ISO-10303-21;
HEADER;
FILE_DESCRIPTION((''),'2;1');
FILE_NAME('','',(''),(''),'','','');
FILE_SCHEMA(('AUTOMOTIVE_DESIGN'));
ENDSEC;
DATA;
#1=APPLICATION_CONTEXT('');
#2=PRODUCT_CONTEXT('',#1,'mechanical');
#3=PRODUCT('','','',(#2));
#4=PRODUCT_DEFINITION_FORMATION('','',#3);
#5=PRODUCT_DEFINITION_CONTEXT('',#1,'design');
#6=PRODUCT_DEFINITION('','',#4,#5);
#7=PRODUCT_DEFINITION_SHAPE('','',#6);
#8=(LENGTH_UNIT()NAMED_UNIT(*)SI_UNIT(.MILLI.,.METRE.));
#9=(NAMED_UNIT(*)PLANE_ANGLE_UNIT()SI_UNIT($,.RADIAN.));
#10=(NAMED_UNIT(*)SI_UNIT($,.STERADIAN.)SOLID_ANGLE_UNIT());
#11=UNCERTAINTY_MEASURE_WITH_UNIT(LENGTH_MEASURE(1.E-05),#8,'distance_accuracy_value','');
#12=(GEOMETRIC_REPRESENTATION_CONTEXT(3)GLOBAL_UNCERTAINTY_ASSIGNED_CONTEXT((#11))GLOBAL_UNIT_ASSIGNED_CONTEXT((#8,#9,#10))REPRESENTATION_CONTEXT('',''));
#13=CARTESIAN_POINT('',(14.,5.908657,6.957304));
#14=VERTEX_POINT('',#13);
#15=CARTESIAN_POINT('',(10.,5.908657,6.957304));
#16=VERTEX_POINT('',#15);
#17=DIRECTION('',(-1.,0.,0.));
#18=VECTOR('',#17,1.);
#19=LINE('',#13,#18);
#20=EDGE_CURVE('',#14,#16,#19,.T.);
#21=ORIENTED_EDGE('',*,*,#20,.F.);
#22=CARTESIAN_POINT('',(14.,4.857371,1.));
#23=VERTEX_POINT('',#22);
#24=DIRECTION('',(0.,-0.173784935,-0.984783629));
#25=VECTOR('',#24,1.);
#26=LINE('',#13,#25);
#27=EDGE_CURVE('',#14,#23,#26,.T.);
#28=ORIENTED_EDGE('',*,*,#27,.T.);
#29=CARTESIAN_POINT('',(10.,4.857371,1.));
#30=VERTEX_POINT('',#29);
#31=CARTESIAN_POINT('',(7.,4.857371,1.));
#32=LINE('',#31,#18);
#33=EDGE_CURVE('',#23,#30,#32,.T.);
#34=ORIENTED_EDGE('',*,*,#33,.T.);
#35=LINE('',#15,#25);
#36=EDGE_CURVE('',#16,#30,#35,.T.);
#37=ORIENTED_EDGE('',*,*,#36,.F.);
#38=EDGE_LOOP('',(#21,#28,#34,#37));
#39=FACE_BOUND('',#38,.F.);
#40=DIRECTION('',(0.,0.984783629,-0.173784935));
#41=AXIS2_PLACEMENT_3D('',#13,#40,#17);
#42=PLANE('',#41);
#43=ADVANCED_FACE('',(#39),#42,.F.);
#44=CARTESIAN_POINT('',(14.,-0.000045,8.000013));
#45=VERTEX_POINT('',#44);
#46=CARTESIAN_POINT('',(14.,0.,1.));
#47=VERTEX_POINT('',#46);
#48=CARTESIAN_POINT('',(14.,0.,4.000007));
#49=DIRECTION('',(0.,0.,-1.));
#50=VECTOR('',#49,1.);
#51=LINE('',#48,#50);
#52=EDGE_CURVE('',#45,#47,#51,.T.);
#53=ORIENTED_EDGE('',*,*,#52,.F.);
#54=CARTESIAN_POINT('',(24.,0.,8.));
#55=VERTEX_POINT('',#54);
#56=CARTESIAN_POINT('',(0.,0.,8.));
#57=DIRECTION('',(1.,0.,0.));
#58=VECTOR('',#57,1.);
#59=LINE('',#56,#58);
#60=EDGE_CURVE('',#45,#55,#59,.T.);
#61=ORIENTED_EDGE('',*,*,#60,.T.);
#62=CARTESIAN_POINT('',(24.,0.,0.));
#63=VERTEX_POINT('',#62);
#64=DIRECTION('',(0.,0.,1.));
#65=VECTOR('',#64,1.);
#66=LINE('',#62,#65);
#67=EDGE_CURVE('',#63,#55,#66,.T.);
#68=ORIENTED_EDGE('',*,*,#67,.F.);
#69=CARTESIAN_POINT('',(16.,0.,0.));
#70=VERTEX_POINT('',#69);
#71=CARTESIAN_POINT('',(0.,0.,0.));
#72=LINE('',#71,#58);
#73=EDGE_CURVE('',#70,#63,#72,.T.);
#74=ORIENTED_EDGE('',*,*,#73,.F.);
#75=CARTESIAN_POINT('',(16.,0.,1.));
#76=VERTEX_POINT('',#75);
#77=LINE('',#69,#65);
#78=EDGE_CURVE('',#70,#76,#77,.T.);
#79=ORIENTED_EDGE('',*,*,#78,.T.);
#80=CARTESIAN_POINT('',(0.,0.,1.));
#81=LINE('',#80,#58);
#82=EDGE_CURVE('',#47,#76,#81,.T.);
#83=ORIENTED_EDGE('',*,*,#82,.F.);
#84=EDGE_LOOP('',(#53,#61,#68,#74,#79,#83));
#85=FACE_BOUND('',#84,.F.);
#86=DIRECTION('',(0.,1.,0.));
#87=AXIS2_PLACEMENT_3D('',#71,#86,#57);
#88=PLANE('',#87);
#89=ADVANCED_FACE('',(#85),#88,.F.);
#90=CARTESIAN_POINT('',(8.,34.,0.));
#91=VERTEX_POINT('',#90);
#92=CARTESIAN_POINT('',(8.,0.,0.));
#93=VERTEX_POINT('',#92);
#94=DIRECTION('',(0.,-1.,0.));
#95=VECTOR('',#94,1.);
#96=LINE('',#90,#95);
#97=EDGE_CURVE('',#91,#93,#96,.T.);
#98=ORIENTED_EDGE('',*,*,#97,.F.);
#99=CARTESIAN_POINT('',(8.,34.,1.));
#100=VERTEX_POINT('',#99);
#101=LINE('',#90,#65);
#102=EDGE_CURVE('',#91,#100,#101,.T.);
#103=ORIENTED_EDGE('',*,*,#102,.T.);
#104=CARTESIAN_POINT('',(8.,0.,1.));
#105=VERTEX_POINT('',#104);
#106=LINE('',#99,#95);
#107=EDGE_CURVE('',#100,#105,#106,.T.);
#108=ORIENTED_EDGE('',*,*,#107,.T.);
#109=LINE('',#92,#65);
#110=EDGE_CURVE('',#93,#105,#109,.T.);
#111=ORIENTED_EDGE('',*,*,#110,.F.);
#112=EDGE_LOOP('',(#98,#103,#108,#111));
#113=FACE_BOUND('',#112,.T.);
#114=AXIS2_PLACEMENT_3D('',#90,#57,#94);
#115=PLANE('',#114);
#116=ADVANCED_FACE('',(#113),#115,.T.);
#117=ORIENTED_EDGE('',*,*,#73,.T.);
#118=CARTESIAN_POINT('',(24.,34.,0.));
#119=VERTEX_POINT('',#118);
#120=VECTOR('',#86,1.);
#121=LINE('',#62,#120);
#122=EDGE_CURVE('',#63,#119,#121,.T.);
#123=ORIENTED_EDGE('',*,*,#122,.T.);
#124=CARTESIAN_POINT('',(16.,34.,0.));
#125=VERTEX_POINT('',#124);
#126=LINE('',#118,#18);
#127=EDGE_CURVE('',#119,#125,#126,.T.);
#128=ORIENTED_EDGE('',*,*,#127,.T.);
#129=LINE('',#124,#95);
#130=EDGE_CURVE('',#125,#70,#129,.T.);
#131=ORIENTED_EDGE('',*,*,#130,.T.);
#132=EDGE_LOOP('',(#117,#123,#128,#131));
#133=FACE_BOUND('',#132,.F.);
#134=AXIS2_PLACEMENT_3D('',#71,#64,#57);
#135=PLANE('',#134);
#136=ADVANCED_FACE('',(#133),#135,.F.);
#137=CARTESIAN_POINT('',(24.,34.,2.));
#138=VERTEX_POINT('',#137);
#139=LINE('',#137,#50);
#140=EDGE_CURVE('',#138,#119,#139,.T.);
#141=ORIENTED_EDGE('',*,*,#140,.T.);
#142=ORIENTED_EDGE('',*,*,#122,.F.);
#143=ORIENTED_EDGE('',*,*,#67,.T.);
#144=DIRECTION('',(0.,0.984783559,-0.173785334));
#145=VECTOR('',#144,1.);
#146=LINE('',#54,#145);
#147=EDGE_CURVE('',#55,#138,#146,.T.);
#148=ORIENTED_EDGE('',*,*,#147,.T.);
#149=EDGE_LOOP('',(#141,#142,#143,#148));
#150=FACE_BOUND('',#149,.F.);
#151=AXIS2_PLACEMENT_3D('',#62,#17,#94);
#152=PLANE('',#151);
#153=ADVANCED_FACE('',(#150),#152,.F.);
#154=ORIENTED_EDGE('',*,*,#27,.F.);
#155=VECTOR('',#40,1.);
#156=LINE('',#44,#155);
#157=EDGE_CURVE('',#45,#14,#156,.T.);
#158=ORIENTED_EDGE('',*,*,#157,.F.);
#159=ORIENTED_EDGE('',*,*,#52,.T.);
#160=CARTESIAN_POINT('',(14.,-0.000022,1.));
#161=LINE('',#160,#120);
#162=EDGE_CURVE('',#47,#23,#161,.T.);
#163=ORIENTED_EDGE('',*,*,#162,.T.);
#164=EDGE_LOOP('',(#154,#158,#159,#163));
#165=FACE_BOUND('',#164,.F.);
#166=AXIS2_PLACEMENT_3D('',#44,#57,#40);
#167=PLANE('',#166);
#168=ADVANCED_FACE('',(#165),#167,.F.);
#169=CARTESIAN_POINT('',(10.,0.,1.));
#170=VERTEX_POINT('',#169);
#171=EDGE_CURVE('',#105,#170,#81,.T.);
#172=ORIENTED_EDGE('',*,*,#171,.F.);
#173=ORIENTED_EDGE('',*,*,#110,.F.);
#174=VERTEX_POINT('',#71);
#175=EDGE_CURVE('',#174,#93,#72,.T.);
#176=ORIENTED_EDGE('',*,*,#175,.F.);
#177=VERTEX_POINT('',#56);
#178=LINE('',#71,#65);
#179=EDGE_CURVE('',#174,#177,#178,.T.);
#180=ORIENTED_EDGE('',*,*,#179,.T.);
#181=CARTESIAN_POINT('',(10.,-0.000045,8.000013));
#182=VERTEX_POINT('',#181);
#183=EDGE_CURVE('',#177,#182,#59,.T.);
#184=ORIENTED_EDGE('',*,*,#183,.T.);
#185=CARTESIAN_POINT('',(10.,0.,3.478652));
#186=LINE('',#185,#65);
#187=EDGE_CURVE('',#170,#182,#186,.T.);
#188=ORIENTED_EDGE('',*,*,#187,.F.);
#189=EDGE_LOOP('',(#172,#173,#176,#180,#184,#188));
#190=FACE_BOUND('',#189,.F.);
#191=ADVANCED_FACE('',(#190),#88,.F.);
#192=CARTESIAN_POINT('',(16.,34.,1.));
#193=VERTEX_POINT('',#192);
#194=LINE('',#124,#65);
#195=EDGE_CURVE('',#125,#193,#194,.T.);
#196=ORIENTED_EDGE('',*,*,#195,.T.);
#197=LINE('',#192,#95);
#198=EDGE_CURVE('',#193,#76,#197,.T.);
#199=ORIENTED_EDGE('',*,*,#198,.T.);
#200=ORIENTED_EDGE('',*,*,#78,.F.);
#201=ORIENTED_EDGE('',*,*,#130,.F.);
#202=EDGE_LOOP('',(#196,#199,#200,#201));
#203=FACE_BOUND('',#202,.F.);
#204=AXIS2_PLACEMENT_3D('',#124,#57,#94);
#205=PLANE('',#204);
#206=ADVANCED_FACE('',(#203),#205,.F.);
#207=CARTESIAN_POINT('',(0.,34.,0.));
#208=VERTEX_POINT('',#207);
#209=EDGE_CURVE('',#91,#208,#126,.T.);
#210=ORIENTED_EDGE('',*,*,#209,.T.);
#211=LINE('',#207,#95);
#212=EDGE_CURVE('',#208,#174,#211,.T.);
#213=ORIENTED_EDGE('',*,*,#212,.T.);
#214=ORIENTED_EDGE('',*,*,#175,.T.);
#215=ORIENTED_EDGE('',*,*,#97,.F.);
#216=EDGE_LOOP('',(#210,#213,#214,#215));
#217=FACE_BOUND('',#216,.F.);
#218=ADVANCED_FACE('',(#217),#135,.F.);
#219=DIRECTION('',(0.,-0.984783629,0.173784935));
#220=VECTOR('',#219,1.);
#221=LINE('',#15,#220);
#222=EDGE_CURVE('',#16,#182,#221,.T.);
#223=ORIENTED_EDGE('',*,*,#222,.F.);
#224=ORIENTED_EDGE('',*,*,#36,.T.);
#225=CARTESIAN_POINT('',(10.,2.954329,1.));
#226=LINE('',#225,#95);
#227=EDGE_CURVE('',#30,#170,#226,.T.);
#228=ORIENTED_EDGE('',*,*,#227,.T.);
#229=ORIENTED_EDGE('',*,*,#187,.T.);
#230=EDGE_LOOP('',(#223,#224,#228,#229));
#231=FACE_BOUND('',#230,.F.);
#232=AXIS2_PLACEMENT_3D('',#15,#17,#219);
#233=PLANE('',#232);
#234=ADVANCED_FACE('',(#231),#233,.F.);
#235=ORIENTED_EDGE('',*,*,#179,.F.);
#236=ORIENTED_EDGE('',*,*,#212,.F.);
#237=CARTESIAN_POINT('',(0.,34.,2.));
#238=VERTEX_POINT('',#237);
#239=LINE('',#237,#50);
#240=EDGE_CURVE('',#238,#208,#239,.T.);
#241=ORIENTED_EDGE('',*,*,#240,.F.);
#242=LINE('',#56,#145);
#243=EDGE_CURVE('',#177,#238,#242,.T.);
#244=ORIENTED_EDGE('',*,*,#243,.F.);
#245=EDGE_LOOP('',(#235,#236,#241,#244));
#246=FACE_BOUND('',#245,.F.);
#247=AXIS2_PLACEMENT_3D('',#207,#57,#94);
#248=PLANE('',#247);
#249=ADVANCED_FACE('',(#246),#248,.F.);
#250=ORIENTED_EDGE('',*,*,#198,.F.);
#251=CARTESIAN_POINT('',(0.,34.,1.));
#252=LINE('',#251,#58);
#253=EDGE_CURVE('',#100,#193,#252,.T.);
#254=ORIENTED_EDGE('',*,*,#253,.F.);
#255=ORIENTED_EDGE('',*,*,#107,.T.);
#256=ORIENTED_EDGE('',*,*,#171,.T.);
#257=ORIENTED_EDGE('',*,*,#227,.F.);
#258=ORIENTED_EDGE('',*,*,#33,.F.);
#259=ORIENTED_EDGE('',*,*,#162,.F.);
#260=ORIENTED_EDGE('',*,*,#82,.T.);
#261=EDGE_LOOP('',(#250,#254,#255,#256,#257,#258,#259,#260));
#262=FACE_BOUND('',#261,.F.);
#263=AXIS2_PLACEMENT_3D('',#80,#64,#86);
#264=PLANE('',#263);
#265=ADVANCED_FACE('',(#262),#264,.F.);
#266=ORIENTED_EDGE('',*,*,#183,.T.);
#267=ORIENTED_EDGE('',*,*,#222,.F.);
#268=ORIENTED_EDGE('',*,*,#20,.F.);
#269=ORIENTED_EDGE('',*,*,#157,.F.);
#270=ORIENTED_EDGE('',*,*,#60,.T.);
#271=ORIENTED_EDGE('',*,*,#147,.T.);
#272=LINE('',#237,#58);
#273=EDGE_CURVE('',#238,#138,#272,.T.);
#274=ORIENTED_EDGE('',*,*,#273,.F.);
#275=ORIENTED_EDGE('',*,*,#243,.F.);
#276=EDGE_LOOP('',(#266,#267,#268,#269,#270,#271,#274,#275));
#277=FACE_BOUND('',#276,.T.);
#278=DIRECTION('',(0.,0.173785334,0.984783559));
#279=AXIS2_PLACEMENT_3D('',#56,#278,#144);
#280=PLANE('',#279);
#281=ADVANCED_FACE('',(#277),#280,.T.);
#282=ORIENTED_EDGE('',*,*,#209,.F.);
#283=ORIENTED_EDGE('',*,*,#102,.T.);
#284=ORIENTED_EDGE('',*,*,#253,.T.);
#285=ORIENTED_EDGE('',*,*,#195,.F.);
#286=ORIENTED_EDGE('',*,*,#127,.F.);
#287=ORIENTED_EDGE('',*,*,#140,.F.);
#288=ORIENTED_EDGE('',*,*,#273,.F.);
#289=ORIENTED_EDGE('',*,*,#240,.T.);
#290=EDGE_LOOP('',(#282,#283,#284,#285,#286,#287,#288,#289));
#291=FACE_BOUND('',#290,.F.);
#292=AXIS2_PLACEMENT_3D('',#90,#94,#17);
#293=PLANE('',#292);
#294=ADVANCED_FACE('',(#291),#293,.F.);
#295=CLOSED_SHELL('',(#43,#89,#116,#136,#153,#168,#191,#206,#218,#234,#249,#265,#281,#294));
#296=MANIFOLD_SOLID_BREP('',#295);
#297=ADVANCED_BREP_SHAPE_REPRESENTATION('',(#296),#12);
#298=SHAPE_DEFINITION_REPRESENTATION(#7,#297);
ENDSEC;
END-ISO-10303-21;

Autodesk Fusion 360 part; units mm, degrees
sketch "Sketch1" plane through (0, 0, 0) normal (0, 0, 1) x (1, 0, 0)
  line L0 (0, 0) -> (24, 0)
  line L1 (24, 0) -> (24, 34)
  line L2 (24, 34) -> (0, 34)
  line L3 (0, 34) -> (0, 0)
  line L4 (8, 34) -> (8, 0)
  line L5 (16, 34) -> (16, 0)
  dimension "d3" = 34
  dimension "d4" = 24
  dimension "d5" = 8
  dimension "d6" = 8
extrude "Extrude1" add sketch "Sketch1" along normal blind 1 contours L0 L2 L3 L4 | L0 L1 L2 L5 makes body 1 at (2.6667, 22.6667, 0) makes body 2 at (18.6667, 22.6667, 0)
sketch "Sketch2" plane through (0, 0, 0) normal (-1, 0, 0) x (0, -1, 0)
  line L0 (-34, 0) -> (0, 0)
  line L1 (0, 0) -> (0, 1)
  line L2 (0, 1) -> (-34, 1)
  line L3 (-34, 1) -> (-34, 0)
  line L4 (0, 1) -> (0, 8)
  line L5 (-34, 1) -> (-34, 2)
  line L6 (0, 8) -> (-34, 2)
  dimension "d9" = 7
  dimension "d12" = 1
extrude "Extrude3" add sketch "Sketch2" against normal up to surface (24 mm away) contours L2 L4 L5 L6 bodies 1 2
sketch "Sketch3" plane through (0, 1.3691, 7.7584) normal (0, 0.173785, 0.984784) x (-1, 0, 0)
  line L0 (-24, 1.3903) -> (-24, -33.1351)
  line L1 (-24, -33.1351) -> (0, -33.1351)
  line L2 (0, -33.1351) -> (0, 1.3903)
  line L3 (0, 1.3903) -> (-24, 1.3903)
  line L4 (-10, 1.3903) -> (-14, 1.3903)
  line L5 (-14, 1.3903) -> (-14, -4.6097)
  line L6 (-14, -4.6097) -> (-10, -4.6097)
  line L7 (-10, -4.6097) -> (-10, 1.3903)
  dimension "d15" = 4
  dimension "d16" = 6
extrude "Extrude4" cut sketch "Sketch3" along normal up to surface contours L3 L4 L5 L6 L7 end surface through (0, 0, 1) normal (0, 0, -1) offset 0 bodies 1
equation "Hoogte_SERVO = 34 mm" comment "Hoogte_SERVO"
equation "Breedte_SERVO = 24 mm" comment "Breedte_SERVO"
equation "d3 = Hoogte_SERVO"
equation "d4 = Breedte_SERVO"
equation "d6 = d5"
equation "d9 = 4 mm + 3 mm"
